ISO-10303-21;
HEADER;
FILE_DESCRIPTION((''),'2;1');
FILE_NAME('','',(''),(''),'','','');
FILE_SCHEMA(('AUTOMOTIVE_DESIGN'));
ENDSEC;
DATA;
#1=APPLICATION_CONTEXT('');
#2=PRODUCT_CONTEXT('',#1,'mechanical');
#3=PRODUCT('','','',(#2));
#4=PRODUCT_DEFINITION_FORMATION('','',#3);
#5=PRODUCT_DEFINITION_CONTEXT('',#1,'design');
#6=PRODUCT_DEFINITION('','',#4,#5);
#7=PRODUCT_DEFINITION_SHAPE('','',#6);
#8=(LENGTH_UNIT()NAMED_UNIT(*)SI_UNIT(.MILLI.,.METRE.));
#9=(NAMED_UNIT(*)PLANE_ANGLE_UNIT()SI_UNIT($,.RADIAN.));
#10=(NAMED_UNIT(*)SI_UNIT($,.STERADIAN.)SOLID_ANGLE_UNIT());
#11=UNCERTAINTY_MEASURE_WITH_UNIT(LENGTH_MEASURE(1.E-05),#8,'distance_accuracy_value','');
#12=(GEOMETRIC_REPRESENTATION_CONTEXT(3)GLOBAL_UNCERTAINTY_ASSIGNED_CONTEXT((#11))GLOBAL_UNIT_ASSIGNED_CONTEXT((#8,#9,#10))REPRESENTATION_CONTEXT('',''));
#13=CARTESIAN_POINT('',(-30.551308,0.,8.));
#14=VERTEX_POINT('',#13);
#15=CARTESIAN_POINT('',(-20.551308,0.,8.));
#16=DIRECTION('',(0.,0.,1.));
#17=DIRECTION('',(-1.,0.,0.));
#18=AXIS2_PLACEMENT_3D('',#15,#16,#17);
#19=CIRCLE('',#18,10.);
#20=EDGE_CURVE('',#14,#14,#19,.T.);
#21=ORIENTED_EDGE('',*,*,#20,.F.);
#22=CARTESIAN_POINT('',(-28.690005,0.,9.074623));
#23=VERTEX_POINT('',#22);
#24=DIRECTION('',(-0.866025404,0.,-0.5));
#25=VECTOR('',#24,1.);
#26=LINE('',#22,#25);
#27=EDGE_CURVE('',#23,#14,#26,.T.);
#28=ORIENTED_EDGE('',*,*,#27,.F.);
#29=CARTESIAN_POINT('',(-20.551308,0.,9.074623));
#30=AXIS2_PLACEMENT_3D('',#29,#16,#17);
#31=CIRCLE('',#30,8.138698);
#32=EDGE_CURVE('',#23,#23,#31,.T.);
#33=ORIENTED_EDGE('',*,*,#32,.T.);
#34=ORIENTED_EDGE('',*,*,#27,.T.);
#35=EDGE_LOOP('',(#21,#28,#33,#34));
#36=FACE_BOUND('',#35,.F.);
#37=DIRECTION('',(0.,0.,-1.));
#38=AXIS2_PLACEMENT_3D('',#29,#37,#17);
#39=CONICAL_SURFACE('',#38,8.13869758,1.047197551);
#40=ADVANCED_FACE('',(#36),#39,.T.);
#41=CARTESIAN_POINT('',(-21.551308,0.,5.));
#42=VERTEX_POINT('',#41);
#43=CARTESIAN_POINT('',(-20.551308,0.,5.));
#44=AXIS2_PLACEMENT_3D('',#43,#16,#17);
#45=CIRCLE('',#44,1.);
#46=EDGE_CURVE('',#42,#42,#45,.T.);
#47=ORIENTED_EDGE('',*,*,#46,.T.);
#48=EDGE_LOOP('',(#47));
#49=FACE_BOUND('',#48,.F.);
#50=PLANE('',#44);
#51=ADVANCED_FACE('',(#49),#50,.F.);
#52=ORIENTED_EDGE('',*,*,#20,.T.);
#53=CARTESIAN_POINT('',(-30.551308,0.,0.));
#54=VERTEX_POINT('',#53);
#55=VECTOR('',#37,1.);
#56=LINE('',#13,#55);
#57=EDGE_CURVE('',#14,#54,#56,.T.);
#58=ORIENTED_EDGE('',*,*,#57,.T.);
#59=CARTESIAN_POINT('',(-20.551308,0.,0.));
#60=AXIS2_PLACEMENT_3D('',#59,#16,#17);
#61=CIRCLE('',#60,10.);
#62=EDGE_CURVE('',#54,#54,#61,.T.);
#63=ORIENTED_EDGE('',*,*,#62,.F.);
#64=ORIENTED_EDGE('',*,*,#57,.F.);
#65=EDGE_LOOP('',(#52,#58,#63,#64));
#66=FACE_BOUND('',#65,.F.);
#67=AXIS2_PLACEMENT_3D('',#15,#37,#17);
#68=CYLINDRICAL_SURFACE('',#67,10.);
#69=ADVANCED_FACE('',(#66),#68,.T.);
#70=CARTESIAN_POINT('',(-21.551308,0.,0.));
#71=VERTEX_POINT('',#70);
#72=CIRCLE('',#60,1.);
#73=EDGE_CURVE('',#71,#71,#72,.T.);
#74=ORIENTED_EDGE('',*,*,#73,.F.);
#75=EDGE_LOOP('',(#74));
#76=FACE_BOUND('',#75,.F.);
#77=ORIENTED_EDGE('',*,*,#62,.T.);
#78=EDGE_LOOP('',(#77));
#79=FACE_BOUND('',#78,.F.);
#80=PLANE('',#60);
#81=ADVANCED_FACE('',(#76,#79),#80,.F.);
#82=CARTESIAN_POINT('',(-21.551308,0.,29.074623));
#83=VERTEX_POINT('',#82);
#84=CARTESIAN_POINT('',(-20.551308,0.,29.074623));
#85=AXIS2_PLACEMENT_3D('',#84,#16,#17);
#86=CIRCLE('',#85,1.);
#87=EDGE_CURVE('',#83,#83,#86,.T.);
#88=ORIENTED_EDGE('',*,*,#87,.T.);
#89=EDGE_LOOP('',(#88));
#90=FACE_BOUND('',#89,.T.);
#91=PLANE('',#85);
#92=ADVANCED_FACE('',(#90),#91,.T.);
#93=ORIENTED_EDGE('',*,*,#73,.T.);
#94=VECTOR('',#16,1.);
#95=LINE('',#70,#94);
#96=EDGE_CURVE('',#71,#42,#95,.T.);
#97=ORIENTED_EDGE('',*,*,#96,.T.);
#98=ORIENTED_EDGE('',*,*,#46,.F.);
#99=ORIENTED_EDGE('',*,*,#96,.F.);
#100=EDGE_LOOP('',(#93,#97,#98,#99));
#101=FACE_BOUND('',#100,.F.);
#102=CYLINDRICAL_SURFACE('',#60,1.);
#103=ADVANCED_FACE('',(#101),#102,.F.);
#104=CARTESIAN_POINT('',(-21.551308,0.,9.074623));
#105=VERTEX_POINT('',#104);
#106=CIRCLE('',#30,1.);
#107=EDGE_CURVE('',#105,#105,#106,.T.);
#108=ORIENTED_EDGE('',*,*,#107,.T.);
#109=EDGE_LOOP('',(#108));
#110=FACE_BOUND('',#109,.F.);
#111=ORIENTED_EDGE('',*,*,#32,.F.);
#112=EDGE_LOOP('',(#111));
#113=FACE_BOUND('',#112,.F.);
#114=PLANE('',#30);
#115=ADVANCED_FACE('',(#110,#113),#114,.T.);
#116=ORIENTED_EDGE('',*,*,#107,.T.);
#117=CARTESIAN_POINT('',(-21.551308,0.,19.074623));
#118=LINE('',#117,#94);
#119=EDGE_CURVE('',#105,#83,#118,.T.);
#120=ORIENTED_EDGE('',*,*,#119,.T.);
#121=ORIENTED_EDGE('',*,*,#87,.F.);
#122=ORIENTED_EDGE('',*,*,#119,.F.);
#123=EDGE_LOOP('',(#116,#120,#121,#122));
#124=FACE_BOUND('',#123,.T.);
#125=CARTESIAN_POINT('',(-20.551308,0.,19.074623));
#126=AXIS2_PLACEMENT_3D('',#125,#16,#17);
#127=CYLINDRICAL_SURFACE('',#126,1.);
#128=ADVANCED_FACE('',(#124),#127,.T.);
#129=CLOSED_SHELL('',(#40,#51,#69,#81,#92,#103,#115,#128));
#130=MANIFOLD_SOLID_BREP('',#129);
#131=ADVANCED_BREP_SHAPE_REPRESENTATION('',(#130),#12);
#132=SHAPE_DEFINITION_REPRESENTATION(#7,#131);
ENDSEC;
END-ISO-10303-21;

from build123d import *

# Parameters (mm, degrees)
F0_W   = 1
F0_H   = 20
F0_H_2 = 3
F0_H_3 = 1.0746234533


with BuildPart() as f1:
    # F0 (on Front) → F1 (revolve)
    with BuildSketch(Plane.XZ):
        with Locations((-21.0513077103, 19.0746234533)):
            Rectangle(F0_W, F0_H)
        Polygon((-21.5513077103, 8), (-30.5513077103, 8), (-30.5513077103, 0), (-21.5513077103, 0), (-21.5513077103, 5), align=None)
        Polygon((-28.6900052902, 9.0746234533), (-30.5513077103, 8), (-21.5513077103, 8), (-21.5513077103, 9.0746234533), align=None)
        with Locations((-21.0513077103, 6.5)):
            Rectangle(F0_W, F0_H_2)
        with Locations((-21.0513077103, 8.5373117267)):
            Rectangle(F0_W, F0_H_3)
    revolve(axis=Axis((-20.5513077103, 0, 19.0746234533), (0, 0, 1)))


solid = f1.part
